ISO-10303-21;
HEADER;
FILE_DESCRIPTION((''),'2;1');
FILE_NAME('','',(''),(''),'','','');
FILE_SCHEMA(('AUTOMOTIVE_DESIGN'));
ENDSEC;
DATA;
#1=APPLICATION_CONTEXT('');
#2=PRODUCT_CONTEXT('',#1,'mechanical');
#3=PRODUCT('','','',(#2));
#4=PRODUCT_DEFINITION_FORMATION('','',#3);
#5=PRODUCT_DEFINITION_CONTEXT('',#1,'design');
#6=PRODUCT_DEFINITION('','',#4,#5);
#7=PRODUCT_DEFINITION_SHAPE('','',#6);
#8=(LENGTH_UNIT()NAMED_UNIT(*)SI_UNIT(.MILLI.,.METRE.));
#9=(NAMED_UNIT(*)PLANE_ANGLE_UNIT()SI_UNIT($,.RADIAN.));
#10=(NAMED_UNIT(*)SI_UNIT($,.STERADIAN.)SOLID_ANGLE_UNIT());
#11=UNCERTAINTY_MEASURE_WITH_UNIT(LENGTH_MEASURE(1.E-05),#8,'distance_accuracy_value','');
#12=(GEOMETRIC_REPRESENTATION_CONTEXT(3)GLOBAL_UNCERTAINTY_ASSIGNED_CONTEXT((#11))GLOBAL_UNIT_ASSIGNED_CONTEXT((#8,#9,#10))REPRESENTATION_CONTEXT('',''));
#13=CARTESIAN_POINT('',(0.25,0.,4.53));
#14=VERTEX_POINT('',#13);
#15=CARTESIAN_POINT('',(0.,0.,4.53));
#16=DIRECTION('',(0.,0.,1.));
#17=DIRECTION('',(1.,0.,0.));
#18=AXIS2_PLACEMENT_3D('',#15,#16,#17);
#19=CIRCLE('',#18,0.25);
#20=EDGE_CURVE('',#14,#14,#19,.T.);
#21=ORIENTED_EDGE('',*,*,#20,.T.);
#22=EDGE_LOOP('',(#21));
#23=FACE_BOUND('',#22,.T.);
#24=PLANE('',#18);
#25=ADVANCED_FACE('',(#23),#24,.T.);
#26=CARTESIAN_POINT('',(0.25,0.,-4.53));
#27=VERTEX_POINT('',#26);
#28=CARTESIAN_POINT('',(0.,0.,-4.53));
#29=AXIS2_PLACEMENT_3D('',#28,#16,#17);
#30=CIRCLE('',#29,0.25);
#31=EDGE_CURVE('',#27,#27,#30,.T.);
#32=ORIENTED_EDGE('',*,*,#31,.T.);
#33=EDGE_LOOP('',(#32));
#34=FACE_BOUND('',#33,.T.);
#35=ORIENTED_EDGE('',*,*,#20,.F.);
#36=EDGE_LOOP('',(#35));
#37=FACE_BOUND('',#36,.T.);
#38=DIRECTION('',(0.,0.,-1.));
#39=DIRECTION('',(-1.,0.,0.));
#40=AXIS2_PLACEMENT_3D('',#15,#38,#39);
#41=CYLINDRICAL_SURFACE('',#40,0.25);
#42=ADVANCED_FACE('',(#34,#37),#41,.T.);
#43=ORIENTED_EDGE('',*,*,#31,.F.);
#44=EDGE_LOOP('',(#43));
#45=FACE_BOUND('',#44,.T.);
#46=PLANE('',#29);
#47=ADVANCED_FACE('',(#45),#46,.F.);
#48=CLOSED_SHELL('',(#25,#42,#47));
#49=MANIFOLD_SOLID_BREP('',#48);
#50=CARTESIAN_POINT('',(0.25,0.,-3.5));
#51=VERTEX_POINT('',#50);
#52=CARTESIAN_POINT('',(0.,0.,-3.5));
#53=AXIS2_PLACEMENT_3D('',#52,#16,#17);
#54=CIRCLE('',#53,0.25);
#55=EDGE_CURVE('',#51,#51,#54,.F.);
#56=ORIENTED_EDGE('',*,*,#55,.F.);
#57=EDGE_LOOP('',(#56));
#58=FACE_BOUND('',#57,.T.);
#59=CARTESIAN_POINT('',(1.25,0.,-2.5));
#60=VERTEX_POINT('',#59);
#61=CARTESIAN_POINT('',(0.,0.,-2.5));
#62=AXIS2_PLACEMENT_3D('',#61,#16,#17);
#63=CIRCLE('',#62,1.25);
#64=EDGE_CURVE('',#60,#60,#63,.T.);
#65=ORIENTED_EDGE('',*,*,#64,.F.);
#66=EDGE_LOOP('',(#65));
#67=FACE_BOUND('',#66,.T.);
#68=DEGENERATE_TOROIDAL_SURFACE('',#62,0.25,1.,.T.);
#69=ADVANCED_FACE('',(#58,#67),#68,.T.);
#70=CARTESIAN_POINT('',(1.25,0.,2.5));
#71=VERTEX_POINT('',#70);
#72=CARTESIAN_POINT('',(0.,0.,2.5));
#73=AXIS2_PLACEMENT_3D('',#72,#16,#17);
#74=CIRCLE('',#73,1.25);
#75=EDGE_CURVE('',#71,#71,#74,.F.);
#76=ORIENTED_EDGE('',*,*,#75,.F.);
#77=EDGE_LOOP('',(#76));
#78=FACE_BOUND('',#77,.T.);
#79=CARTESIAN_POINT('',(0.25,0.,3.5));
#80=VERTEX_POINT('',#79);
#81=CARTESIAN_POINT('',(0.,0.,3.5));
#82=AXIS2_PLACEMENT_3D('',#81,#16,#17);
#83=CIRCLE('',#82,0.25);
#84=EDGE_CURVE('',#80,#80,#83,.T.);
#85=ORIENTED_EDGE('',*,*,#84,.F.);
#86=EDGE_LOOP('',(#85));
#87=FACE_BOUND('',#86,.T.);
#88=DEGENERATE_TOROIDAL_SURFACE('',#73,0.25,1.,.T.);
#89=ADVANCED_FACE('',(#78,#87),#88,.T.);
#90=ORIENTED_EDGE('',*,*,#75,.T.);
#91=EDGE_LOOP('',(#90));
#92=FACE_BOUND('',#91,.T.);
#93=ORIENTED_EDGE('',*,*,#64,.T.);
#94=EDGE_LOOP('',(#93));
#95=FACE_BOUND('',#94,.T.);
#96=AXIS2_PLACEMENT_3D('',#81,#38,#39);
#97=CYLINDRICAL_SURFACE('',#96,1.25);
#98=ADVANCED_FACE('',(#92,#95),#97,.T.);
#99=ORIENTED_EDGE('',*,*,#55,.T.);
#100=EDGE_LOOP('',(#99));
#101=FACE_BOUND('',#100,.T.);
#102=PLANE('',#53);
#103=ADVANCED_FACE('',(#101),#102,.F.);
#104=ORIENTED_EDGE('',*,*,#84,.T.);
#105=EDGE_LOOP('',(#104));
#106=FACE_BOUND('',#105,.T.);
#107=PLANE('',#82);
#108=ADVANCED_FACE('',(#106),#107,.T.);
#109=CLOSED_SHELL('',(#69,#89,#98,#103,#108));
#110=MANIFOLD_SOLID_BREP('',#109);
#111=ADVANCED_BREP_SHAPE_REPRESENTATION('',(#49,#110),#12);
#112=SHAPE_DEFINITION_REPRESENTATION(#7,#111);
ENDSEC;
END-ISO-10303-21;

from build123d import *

# Parameters (mm, degrees)
SKETCH1_R           = 1.25
BOSS_EXTRUDE1_DEPTH = 3.5
FILLET1_R           = 1
SKETCH2_R           = 0.25
BOSS_EXTRUDE2_DEPTH = 4.53


with BuildPart() as part:
    # Sketch1 → Boss-Extrude1 (new body, symmetric)
    with BuildSketch(Plane.XY):
        Circle(SKETCH1_R)
    extrude(amount=BOSS_EXTRUDE1_DEPTH, both=True)

    # Fillet1
    fillet1_edges = [part.edges().sort_by_distance(p)[0] for p in [
        (-1.25, 0, -3.5),
        (-1.25, 0, 3.5),
    ]]
    fillet(fillet1_edges, radius=FILLET1_R)


with BuildPart() as body_2:
    # Sketch2 → Boss-Extrude2 (new body, symmetric)
    with BuildSketch(Plane.XY):
        Circle(SKETCH2_R)
    extrude(amount=BOSS_EXTRUDE2_DEPTH, both=True)


solid = Compound([part.part, body_2.part])
